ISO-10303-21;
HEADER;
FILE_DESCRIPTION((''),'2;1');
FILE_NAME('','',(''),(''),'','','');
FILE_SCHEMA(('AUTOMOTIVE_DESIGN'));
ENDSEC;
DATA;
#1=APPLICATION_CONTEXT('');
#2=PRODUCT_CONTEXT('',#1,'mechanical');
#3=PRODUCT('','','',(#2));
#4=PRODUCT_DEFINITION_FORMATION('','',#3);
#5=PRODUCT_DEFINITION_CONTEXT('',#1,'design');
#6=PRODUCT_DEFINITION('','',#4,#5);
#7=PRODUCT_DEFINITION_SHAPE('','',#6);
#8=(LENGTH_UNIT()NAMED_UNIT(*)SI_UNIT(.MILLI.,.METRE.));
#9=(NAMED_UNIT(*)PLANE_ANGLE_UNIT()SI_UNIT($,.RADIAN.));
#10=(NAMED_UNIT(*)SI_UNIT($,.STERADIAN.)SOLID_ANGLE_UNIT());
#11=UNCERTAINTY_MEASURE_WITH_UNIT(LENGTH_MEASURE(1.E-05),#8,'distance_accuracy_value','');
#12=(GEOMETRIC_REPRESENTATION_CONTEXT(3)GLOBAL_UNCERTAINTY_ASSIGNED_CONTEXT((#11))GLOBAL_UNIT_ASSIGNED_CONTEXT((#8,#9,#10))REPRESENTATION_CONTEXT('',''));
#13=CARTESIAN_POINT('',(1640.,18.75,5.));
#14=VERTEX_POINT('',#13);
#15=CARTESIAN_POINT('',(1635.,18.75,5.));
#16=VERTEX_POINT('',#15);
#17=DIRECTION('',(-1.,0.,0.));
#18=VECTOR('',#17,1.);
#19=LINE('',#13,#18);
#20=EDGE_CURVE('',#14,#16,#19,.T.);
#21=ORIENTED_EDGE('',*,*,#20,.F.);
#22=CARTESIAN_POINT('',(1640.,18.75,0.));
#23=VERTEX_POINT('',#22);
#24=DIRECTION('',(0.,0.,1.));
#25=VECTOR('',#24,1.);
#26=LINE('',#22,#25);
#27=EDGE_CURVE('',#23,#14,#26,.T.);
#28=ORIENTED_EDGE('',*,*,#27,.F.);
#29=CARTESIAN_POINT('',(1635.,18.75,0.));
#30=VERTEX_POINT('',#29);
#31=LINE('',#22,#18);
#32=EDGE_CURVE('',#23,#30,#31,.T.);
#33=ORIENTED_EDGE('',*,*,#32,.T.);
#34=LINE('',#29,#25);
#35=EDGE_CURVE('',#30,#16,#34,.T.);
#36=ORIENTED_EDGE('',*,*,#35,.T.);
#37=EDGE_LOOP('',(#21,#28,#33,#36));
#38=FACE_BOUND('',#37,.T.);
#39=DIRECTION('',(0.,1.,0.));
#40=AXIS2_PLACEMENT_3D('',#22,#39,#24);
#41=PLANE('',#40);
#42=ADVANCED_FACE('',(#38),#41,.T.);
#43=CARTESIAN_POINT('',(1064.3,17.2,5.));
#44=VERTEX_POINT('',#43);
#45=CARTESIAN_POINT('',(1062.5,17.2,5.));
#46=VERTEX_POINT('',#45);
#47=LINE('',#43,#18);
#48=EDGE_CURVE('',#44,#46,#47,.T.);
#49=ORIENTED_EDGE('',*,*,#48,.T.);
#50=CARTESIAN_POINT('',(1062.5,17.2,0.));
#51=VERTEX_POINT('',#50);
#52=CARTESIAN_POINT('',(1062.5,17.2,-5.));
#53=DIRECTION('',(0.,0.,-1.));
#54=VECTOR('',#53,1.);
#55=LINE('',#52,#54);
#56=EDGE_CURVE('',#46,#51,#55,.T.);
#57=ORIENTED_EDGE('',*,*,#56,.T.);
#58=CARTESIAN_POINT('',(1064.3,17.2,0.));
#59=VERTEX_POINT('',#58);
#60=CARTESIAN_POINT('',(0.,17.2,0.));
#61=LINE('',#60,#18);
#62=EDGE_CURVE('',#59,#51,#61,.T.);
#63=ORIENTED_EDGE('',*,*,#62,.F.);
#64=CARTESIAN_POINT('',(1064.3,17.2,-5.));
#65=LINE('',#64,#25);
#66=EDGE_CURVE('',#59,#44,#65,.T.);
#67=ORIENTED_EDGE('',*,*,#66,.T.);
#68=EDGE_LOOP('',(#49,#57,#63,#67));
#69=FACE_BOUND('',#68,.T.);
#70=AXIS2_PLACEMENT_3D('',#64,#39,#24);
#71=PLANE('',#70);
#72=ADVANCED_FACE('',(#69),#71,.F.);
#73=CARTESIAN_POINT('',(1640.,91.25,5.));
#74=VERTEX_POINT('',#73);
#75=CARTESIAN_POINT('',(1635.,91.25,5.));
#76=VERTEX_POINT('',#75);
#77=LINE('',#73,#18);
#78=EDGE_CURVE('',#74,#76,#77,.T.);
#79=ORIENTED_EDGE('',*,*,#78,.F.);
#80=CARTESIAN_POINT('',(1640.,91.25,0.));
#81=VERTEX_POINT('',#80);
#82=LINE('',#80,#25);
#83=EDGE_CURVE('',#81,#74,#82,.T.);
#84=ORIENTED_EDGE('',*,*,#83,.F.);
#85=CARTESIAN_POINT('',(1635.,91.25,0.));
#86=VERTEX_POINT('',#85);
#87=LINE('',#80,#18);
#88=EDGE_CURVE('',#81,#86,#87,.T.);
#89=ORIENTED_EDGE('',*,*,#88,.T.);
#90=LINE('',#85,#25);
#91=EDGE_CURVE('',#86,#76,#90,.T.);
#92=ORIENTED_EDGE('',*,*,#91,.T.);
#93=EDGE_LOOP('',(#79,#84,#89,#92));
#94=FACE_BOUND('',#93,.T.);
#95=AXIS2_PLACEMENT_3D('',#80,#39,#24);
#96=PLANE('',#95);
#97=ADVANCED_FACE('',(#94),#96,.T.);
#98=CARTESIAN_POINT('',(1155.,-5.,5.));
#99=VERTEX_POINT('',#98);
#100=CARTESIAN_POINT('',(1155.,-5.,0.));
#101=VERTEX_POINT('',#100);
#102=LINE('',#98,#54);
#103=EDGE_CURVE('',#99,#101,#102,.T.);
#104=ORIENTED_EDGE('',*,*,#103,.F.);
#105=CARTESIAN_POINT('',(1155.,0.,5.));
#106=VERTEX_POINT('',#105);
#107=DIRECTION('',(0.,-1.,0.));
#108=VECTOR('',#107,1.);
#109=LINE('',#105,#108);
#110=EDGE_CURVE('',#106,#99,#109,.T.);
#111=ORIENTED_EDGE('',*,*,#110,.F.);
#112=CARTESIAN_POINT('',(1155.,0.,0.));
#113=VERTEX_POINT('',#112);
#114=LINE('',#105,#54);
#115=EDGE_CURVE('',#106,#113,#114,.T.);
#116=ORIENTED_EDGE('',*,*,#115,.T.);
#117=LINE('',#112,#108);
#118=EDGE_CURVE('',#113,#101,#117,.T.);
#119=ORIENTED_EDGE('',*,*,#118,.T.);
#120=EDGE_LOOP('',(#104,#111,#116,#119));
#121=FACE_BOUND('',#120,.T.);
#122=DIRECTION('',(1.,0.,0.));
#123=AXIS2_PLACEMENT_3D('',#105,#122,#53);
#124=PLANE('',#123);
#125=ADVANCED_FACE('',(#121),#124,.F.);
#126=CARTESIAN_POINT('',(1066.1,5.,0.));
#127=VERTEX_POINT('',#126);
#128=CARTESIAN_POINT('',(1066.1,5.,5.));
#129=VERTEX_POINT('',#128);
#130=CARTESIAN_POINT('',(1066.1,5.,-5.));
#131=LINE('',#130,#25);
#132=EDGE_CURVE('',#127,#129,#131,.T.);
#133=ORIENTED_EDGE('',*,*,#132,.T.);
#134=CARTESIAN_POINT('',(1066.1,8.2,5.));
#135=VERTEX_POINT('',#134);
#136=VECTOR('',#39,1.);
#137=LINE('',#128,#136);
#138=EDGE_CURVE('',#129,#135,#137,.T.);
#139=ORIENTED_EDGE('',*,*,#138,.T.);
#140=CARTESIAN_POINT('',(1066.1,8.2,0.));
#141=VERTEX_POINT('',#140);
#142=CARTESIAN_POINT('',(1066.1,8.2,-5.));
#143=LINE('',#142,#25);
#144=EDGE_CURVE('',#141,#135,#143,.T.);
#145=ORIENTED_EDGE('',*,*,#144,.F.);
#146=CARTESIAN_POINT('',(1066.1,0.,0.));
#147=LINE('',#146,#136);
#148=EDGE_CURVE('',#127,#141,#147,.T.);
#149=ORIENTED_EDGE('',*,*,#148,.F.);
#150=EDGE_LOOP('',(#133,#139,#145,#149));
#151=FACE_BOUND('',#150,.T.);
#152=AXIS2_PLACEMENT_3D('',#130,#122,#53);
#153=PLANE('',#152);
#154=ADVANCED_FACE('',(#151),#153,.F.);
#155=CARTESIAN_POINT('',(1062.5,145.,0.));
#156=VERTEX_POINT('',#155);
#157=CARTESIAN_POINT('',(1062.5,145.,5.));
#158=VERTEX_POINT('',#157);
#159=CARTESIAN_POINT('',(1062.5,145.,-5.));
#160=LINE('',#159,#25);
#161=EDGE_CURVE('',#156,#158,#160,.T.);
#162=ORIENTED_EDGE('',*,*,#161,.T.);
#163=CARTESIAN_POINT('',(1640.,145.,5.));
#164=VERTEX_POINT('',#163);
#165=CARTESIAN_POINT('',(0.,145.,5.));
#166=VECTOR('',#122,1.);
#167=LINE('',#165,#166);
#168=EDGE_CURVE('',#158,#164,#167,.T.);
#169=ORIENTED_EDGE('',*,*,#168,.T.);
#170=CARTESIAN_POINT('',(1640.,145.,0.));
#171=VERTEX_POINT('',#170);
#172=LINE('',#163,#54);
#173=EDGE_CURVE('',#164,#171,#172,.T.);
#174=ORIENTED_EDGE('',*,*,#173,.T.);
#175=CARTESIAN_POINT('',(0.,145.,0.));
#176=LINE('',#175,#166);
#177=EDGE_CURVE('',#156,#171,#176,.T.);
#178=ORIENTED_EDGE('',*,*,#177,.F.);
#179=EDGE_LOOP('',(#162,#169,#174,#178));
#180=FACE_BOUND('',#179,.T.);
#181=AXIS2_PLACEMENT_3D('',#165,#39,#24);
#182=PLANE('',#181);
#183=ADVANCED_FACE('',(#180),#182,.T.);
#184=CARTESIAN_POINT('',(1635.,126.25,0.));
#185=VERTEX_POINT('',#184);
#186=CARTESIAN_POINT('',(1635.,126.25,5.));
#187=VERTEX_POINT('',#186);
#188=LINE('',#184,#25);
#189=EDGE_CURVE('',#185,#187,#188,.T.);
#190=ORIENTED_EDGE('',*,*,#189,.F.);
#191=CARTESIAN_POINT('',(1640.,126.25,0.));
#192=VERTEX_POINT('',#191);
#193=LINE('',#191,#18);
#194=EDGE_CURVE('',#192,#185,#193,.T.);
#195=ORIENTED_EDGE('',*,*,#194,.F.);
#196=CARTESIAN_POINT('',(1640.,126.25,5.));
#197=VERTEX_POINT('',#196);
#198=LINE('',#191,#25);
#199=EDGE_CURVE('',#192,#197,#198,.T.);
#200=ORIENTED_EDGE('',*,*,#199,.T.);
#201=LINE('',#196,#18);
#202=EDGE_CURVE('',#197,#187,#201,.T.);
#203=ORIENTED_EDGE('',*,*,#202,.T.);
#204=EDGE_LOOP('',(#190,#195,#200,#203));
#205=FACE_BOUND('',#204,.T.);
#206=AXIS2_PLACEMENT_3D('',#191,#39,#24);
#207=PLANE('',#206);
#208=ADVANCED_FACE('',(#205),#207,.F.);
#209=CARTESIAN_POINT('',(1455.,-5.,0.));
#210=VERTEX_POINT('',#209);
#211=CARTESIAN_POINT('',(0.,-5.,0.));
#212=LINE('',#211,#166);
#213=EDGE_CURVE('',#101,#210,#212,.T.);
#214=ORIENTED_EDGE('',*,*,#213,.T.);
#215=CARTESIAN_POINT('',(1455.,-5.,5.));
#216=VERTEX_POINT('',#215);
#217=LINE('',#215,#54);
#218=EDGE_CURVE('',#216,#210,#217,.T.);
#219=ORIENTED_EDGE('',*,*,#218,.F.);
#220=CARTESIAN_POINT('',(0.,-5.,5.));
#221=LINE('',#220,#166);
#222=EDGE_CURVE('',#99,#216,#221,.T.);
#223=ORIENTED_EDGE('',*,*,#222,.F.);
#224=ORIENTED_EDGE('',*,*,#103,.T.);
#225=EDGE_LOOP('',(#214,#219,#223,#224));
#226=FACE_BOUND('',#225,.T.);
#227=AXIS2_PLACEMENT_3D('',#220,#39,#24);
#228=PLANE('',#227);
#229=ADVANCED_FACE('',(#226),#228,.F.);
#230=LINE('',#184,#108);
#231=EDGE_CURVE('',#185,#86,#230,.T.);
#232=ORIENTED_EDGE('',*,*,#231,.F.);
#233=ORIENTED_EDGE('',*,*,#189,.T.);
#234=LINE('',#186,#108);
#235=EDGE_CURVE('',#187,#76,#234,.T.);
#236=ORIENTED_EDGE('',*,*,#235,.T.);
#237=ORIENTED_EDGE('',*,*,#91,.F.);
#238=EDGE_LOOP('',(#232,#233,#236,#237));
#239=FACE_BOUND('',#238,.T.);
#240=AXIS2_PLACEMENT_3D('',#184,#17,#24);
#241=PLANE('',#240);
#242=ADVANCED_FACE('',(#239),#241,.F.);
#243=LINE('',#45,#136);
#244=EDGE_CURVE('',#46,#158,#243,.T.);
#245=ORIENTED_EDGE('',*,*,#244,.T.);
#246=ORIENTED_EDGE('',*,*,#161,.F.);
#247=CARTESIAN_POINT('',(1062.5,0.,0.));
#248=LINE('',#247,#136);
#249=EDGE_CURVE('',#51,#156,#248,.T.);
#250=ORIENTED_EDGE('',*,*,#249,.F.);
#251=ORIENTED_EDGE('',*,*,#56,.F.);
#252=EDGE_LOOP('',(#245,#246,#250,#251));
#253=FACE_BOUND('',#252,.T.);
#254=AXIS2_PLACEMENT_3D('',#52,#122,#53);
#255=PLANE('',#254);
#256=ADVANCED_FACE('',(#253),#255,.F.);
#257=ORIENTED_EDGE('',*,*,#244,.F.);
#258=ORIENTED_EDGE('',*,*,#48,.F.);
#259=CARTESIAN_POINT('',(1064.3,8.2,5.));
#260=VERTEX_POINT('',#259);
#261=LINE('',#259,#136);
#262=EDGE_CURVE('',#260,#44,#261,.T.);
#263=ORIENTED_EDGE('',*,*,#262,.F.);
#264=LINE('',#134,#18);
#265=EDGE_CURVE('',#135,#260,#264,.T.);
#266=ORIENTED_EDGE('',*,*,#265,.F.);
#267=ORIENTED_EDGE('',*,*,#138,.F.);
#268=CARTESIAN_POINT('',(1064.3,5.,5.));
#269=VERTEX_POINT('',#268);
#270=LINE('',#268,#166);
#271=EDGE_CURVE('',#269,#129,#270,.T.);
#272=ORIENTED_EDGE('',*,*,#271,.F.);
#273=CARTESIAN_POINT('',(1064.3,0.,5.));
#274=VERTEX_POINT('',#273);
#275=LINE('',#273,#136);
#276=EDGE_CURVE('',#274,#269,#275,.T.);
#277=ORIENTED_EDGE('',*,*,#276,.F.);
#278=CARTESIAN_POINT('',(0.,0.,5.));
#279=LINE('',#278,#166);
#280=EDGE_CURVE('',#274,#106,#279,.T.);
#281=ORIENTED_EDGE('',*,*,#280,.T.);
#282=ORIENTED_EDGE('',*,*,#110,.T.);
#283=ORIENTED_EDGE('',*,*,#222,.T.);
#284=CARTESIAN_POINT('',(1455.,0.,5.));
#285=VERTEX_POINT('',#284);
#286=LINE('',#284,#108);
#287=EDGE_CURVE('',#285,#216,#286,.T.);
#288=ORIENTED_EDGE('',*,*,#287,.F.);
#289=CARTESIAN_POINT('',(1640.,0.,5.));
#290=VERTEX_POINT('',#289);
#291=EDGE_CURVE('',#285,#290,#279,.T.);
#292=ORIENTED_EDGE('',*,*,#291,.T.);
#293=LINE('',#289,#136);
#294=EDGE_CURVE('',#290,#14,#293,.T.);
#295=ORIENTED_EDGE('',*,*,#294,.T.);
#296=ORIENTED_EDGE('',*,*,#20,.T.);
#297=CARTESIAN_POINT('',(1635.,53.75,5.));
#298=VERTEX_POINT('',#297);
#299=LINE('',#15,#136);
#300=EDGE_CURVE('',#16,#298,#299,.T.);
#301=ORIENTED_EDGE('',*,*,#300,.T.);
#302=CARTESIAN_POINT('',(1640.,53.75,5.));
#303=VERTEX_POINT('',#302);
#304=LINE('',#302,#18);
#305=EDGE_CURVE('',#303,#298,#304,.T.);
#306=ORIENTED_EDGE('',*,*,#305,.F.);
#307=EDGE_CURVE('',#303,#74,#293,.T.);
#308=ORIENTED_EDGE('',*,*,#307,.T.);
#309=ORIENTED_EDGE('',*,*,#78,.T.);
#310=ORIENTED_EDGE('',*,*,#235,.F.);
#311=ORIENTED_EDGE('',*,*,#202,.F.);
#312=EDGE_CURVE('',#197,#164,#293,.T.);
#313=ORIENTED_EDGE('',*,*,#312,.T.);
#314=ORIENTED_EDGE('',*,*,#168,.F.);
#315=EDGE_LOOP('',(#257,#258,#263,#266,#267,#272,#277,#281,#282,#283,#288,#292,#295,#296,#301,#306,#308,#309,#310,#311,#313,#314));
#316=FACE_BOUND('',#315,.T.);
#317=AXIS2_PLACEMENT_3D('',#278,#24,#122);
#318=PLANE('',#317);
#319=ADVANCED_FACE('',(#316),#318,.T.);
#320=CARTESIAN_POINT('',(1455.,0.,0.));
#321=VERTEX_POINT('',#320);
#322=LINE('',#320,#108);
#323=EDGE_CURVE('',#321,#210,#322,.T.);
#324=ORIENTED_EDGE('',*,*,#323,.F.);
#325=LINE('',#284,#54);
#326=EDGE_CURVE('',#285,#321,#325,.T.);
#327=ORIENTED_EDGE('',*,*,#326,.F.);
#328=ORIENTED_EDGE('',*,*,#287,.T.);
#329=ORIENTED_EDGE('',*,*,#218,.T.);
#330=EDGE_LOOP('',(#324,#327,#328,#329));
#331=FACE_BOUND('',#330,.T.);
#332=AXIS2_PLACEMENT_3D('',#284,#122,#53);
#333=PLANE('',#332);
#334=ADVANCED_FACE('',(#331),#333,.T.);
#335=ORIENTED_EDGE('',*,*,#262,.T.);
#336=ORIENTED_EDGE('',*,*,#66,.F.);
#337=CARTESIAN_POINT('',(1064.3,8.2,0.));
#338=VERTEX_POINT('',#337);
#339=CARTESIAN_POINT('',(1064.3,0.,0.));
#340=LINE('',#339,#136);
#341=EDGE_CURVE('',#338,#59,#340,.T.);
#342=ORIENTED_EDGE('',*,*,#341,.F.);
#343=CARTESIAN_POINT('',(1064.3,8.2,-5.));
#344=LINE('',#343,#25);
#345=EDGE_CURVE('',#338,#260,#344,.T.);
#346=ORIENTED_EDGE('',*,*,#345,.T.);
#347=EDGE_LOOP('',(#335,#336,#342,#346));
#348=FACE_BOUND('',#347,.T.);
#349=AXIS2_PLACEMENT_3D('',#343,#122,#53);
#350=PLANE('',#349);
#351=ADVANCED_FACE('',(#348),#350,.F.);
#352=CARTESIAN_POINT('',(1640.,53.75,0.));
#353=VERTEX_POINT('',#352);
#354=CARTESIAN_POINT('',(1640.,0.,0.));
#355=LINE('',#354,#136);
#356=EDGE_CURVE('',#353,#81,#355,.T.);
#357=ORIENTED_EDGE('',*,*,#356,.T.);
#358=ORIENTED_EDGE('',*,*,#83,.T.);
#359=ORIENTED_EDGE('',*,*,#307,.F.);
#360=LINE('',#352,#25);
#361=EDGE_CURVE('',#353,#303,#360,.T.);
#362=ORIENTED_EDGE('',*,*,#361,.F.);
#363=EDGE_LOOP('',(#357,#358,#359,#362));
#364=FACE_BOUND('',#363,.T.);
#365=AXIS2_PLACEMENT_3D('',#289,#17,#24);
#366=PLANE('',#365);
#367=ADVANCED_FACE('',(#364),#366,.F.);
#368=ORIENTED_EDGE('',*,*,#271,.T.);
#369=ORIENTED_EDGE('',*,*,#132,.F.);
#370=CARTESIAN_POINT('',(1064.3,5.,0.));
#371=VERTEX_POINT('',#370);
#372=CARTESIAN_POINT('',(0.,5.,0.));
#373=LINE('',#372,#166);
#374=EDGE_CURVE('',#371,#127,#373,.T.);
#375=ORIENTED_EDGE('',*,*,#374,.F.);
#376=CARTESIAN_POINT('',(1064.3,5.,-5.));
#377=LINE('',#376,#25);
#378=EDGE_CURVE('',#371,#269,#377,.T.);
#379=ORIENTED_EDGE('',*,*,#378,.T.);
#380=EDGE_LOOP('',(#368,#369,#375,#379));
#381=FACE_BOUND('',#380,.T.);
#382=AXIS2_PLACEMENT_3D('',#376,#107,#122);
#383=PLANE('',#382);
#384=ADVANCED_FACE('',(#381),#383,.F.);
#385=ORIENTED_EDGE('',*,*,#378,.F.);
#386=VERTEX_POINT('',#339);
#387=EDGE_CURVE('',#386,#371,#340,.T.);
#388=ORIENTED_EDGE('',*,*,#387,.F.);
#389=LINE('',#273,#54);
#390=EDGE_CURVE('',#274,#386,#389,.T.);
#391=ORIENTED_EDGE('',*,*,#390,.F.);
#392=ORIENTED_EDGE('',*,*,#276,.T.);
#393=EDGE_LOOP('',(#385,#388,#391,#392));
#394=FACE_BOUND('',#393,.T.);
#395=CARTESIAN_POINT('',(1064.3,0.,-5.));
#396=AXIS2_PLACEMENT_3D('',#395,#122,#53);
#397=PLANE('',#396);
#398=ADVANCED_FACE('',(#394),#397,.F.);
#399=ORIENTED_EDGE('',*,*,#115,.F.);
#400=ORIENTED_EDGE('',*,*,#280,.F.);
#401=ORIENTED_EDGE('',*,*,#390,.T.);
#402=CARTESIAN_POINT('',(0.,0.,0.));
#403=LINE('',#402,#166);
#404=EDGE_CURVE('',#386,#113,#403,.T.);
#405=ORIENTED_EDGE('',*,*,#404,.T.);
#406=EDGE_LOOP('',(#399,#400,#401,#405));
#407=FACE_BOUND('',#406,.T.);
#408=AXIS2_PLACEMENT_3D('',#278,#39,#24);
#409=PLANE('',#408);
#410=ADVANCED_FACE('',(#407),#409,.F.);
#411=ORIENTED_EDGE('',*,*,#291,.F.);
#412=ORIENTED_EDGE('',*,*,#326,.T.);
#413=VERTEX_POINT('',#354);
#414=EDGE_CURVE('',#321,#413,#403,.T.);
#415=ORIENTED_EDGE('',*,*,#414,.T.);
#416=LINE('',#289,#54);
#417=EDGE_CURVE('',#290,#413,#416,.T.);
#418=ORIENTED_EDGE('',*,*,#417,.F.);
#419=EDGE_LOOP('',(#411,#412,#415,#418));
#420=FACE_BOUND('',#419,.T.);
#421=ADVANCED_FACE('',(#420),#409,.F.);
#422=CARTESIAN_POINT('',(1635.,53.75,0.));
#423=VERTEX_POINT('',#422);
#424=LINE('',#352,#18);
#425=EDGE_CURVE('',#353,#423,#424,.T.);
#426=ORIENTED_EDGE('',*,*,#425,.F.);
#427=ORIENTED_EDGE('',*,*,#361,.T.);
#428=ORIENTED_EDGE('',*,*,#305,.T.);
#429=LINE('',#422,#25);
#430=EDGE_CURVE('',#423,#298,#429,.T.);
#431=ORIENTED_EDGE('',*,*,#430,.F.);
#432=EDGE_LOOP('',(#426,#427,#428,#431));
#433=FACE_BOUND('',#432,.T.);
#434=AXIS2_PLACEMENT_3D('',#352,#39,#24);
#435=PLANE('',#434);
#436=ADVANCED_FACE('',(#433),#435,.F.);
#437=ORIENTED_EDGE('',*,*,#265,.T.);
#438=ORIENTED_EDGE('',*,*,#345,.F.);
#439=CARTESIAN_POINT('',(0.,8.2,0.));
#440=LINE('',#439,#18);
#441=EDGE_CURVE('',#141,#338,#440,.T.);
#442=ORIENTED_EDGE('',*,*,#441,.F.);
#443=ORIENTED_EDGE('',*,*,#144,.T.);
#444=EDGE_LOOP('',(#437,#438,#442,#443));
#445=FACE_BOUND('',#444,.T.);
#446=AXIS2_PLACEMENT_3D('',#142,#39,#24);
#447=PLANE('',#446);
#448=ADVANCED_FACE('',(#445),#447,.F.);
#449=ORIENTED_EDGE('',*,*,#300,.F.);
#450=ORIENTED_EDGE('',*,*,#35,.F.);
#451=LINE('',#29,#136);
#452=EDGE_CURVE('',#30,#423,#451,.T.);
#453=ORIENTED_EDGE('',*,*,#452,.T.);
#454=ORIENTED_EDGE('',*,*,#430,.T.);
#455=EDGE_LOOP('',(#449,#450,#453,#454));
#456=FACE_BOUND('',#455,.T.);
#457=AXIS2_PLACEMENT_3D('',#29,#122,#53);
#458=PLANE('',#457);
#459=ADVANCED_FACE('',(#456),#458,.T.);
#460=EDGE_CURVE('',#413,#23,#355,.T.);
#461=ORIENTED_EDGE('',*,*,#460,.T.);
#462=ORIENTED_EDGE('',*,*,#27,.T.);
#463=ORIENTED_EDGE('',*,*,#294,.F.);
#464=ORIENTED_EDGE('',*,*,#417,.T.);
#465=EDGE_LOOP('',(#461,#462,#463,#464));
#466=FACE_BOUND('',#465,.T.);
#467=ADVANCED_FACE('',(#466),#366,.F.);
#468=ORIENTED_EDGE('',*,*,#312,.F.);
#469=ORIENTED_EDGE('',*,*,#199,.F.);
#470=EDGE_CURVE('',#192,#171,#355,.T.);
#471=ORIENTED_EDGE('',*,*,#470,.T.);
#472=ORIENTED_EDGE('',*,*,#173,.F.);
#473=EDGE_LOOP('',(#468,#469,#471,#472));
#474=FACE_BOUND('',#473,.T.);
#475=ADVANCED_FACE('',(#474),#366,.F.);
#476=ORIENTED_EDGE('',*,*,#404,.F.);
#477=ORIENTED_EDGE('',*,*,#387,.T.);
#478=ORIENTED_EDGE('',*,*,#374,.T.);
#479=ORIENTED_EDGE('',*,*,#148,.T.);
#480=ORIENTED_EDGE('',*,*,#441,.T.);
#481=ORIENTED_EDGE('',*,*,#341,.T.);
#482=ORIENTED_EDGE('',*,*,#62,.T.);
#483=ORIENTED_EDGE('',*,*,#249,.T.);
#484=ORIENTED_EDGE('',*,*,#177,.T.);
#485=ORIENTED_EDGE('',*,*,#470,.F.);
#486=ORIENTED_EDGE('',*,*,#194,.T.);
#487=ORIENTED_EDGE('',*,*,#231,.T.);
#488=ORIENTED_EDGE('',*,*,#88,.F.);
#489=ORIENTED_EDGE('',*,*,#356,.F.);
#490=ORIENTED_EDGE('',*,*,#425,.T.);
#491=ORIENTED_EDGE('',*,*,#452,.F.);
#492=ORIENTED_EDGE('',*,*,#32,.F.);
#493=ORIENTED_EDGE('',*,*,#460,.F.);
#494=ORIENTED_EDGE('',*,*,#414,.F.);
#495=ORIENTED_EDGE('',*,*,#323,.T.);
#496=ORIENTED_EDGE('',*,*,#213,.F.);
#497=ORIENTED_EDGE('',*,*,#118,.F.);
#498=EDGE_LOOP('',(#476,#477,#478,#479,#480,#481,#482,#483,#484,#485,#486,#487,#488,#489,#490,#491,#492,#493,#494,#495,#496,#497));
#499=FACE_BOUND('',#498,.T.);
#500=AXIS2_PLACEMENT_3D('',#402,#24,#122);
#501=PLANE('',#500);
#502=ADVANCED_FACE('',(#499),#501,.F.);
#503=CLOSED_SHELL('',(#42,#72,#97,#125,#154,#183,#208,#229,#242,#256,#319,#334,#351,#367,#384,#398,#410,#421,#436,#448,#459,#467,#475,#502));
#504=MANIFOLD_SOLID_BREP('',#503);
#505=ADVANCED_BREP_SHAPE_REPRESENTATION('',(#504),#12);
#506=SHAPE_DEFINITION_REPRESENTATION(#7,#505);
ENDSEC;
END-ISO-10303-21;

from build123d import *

# Parameters (mm, degrees)
SALIENTE_EXTRUIR1_DEPTH = 5
CROQUIS2_W              = 5
CROQUIS2_H              = 35
CORTAR_EXTRUIR1_DEPTH   = 5
CORTAR_EXTRUIR2_DEPTH   = 10
CORTAR_EXTRUIR5_DEPTH   = 10


with BuildPart() as part:
    # Croquis1 → Saliente-Extruir1 (new body)
    with BuildSketch(Plane.XY):
        Polygon((0, 145), (0, 0), (183.734642654, 0), (185, 0), (185, -5), (485, -5), (485, 0), (670, 0), (670, -5), (970, -5), (970, 0), (1155, 0), (1155, -5), (1455, -5), (1455, 0), (1640, 0), (1640, 145), align=None)
    extrude(amount=SALIENTE_EXTRUIR1_DEPTH)

    # Croquis2 → Cortar-Extruir1 (cut)
    with BuildSketch(Plane.XY.offset(5)):
        with Locations((1637.5, 108.75)):
            Rectangle(CROQUIS2_W, CROQUIS2_H)
        with Locations((1637.5, 36.25)):
            Rectangle(CROQUIS2_W, CROQUIS2_H)
        with Locations((2.5, 36.25)):
            Rectangle(CROQUIS2_W, CROQUIS2_H)
        with Locations((2.5, 108.75)):
            Rectangle(CROQUIS2_W, CROQUIS2_H)
    extrude(amount=-CORTAR_EXTRUIR1_DEPTH, mode=Mode.SUBTRACT)

    # Croquis3 → Cortar-Extruir2 (cut)
    with BuildSketch(Plane.XY.offset(5)):
        Polygon((579.3, 0), (575.7, 0), (575.7, 5), (573.9, 5), (573.9, 8.2), (575.7, 8.2), (575.7, 17.2), (579.3, 17.2), (579.3, 8.2), (581.1, 8.2), (581.1, 5), (579.3, 5), align=None)
        Polygon((1064.3, 8.2), (1064.3, 17.2), (1060.7, 17.2), (1060.7, 8.2), (1058.9, 8.2), (1058.9, 5), (1060.7, 5), (1060.7, 0), (1064.3, 0), (1064.3, 5), (1066.1, 5), (1066.1, 8.2), align=None)
    extrude(amount=-CORTAR_EXTRUIR2_DEPTH, mode=Mode.SUBTRACT)

    # Croquis4 → Cortar-Extruir5 (cut)
    with BuildSketch(Plane.XY.offset(5)):
        Polygon((1062.5, 17.2), (1062.5, 145), (0, 145), (0, -10.556117746), (1062.5, -10.556117746), align=None)
    extrude(amount=-CORTAR_EXTRUIR5_DEPTH, mode=Mode.SUBTRACT)


solid = part.part
